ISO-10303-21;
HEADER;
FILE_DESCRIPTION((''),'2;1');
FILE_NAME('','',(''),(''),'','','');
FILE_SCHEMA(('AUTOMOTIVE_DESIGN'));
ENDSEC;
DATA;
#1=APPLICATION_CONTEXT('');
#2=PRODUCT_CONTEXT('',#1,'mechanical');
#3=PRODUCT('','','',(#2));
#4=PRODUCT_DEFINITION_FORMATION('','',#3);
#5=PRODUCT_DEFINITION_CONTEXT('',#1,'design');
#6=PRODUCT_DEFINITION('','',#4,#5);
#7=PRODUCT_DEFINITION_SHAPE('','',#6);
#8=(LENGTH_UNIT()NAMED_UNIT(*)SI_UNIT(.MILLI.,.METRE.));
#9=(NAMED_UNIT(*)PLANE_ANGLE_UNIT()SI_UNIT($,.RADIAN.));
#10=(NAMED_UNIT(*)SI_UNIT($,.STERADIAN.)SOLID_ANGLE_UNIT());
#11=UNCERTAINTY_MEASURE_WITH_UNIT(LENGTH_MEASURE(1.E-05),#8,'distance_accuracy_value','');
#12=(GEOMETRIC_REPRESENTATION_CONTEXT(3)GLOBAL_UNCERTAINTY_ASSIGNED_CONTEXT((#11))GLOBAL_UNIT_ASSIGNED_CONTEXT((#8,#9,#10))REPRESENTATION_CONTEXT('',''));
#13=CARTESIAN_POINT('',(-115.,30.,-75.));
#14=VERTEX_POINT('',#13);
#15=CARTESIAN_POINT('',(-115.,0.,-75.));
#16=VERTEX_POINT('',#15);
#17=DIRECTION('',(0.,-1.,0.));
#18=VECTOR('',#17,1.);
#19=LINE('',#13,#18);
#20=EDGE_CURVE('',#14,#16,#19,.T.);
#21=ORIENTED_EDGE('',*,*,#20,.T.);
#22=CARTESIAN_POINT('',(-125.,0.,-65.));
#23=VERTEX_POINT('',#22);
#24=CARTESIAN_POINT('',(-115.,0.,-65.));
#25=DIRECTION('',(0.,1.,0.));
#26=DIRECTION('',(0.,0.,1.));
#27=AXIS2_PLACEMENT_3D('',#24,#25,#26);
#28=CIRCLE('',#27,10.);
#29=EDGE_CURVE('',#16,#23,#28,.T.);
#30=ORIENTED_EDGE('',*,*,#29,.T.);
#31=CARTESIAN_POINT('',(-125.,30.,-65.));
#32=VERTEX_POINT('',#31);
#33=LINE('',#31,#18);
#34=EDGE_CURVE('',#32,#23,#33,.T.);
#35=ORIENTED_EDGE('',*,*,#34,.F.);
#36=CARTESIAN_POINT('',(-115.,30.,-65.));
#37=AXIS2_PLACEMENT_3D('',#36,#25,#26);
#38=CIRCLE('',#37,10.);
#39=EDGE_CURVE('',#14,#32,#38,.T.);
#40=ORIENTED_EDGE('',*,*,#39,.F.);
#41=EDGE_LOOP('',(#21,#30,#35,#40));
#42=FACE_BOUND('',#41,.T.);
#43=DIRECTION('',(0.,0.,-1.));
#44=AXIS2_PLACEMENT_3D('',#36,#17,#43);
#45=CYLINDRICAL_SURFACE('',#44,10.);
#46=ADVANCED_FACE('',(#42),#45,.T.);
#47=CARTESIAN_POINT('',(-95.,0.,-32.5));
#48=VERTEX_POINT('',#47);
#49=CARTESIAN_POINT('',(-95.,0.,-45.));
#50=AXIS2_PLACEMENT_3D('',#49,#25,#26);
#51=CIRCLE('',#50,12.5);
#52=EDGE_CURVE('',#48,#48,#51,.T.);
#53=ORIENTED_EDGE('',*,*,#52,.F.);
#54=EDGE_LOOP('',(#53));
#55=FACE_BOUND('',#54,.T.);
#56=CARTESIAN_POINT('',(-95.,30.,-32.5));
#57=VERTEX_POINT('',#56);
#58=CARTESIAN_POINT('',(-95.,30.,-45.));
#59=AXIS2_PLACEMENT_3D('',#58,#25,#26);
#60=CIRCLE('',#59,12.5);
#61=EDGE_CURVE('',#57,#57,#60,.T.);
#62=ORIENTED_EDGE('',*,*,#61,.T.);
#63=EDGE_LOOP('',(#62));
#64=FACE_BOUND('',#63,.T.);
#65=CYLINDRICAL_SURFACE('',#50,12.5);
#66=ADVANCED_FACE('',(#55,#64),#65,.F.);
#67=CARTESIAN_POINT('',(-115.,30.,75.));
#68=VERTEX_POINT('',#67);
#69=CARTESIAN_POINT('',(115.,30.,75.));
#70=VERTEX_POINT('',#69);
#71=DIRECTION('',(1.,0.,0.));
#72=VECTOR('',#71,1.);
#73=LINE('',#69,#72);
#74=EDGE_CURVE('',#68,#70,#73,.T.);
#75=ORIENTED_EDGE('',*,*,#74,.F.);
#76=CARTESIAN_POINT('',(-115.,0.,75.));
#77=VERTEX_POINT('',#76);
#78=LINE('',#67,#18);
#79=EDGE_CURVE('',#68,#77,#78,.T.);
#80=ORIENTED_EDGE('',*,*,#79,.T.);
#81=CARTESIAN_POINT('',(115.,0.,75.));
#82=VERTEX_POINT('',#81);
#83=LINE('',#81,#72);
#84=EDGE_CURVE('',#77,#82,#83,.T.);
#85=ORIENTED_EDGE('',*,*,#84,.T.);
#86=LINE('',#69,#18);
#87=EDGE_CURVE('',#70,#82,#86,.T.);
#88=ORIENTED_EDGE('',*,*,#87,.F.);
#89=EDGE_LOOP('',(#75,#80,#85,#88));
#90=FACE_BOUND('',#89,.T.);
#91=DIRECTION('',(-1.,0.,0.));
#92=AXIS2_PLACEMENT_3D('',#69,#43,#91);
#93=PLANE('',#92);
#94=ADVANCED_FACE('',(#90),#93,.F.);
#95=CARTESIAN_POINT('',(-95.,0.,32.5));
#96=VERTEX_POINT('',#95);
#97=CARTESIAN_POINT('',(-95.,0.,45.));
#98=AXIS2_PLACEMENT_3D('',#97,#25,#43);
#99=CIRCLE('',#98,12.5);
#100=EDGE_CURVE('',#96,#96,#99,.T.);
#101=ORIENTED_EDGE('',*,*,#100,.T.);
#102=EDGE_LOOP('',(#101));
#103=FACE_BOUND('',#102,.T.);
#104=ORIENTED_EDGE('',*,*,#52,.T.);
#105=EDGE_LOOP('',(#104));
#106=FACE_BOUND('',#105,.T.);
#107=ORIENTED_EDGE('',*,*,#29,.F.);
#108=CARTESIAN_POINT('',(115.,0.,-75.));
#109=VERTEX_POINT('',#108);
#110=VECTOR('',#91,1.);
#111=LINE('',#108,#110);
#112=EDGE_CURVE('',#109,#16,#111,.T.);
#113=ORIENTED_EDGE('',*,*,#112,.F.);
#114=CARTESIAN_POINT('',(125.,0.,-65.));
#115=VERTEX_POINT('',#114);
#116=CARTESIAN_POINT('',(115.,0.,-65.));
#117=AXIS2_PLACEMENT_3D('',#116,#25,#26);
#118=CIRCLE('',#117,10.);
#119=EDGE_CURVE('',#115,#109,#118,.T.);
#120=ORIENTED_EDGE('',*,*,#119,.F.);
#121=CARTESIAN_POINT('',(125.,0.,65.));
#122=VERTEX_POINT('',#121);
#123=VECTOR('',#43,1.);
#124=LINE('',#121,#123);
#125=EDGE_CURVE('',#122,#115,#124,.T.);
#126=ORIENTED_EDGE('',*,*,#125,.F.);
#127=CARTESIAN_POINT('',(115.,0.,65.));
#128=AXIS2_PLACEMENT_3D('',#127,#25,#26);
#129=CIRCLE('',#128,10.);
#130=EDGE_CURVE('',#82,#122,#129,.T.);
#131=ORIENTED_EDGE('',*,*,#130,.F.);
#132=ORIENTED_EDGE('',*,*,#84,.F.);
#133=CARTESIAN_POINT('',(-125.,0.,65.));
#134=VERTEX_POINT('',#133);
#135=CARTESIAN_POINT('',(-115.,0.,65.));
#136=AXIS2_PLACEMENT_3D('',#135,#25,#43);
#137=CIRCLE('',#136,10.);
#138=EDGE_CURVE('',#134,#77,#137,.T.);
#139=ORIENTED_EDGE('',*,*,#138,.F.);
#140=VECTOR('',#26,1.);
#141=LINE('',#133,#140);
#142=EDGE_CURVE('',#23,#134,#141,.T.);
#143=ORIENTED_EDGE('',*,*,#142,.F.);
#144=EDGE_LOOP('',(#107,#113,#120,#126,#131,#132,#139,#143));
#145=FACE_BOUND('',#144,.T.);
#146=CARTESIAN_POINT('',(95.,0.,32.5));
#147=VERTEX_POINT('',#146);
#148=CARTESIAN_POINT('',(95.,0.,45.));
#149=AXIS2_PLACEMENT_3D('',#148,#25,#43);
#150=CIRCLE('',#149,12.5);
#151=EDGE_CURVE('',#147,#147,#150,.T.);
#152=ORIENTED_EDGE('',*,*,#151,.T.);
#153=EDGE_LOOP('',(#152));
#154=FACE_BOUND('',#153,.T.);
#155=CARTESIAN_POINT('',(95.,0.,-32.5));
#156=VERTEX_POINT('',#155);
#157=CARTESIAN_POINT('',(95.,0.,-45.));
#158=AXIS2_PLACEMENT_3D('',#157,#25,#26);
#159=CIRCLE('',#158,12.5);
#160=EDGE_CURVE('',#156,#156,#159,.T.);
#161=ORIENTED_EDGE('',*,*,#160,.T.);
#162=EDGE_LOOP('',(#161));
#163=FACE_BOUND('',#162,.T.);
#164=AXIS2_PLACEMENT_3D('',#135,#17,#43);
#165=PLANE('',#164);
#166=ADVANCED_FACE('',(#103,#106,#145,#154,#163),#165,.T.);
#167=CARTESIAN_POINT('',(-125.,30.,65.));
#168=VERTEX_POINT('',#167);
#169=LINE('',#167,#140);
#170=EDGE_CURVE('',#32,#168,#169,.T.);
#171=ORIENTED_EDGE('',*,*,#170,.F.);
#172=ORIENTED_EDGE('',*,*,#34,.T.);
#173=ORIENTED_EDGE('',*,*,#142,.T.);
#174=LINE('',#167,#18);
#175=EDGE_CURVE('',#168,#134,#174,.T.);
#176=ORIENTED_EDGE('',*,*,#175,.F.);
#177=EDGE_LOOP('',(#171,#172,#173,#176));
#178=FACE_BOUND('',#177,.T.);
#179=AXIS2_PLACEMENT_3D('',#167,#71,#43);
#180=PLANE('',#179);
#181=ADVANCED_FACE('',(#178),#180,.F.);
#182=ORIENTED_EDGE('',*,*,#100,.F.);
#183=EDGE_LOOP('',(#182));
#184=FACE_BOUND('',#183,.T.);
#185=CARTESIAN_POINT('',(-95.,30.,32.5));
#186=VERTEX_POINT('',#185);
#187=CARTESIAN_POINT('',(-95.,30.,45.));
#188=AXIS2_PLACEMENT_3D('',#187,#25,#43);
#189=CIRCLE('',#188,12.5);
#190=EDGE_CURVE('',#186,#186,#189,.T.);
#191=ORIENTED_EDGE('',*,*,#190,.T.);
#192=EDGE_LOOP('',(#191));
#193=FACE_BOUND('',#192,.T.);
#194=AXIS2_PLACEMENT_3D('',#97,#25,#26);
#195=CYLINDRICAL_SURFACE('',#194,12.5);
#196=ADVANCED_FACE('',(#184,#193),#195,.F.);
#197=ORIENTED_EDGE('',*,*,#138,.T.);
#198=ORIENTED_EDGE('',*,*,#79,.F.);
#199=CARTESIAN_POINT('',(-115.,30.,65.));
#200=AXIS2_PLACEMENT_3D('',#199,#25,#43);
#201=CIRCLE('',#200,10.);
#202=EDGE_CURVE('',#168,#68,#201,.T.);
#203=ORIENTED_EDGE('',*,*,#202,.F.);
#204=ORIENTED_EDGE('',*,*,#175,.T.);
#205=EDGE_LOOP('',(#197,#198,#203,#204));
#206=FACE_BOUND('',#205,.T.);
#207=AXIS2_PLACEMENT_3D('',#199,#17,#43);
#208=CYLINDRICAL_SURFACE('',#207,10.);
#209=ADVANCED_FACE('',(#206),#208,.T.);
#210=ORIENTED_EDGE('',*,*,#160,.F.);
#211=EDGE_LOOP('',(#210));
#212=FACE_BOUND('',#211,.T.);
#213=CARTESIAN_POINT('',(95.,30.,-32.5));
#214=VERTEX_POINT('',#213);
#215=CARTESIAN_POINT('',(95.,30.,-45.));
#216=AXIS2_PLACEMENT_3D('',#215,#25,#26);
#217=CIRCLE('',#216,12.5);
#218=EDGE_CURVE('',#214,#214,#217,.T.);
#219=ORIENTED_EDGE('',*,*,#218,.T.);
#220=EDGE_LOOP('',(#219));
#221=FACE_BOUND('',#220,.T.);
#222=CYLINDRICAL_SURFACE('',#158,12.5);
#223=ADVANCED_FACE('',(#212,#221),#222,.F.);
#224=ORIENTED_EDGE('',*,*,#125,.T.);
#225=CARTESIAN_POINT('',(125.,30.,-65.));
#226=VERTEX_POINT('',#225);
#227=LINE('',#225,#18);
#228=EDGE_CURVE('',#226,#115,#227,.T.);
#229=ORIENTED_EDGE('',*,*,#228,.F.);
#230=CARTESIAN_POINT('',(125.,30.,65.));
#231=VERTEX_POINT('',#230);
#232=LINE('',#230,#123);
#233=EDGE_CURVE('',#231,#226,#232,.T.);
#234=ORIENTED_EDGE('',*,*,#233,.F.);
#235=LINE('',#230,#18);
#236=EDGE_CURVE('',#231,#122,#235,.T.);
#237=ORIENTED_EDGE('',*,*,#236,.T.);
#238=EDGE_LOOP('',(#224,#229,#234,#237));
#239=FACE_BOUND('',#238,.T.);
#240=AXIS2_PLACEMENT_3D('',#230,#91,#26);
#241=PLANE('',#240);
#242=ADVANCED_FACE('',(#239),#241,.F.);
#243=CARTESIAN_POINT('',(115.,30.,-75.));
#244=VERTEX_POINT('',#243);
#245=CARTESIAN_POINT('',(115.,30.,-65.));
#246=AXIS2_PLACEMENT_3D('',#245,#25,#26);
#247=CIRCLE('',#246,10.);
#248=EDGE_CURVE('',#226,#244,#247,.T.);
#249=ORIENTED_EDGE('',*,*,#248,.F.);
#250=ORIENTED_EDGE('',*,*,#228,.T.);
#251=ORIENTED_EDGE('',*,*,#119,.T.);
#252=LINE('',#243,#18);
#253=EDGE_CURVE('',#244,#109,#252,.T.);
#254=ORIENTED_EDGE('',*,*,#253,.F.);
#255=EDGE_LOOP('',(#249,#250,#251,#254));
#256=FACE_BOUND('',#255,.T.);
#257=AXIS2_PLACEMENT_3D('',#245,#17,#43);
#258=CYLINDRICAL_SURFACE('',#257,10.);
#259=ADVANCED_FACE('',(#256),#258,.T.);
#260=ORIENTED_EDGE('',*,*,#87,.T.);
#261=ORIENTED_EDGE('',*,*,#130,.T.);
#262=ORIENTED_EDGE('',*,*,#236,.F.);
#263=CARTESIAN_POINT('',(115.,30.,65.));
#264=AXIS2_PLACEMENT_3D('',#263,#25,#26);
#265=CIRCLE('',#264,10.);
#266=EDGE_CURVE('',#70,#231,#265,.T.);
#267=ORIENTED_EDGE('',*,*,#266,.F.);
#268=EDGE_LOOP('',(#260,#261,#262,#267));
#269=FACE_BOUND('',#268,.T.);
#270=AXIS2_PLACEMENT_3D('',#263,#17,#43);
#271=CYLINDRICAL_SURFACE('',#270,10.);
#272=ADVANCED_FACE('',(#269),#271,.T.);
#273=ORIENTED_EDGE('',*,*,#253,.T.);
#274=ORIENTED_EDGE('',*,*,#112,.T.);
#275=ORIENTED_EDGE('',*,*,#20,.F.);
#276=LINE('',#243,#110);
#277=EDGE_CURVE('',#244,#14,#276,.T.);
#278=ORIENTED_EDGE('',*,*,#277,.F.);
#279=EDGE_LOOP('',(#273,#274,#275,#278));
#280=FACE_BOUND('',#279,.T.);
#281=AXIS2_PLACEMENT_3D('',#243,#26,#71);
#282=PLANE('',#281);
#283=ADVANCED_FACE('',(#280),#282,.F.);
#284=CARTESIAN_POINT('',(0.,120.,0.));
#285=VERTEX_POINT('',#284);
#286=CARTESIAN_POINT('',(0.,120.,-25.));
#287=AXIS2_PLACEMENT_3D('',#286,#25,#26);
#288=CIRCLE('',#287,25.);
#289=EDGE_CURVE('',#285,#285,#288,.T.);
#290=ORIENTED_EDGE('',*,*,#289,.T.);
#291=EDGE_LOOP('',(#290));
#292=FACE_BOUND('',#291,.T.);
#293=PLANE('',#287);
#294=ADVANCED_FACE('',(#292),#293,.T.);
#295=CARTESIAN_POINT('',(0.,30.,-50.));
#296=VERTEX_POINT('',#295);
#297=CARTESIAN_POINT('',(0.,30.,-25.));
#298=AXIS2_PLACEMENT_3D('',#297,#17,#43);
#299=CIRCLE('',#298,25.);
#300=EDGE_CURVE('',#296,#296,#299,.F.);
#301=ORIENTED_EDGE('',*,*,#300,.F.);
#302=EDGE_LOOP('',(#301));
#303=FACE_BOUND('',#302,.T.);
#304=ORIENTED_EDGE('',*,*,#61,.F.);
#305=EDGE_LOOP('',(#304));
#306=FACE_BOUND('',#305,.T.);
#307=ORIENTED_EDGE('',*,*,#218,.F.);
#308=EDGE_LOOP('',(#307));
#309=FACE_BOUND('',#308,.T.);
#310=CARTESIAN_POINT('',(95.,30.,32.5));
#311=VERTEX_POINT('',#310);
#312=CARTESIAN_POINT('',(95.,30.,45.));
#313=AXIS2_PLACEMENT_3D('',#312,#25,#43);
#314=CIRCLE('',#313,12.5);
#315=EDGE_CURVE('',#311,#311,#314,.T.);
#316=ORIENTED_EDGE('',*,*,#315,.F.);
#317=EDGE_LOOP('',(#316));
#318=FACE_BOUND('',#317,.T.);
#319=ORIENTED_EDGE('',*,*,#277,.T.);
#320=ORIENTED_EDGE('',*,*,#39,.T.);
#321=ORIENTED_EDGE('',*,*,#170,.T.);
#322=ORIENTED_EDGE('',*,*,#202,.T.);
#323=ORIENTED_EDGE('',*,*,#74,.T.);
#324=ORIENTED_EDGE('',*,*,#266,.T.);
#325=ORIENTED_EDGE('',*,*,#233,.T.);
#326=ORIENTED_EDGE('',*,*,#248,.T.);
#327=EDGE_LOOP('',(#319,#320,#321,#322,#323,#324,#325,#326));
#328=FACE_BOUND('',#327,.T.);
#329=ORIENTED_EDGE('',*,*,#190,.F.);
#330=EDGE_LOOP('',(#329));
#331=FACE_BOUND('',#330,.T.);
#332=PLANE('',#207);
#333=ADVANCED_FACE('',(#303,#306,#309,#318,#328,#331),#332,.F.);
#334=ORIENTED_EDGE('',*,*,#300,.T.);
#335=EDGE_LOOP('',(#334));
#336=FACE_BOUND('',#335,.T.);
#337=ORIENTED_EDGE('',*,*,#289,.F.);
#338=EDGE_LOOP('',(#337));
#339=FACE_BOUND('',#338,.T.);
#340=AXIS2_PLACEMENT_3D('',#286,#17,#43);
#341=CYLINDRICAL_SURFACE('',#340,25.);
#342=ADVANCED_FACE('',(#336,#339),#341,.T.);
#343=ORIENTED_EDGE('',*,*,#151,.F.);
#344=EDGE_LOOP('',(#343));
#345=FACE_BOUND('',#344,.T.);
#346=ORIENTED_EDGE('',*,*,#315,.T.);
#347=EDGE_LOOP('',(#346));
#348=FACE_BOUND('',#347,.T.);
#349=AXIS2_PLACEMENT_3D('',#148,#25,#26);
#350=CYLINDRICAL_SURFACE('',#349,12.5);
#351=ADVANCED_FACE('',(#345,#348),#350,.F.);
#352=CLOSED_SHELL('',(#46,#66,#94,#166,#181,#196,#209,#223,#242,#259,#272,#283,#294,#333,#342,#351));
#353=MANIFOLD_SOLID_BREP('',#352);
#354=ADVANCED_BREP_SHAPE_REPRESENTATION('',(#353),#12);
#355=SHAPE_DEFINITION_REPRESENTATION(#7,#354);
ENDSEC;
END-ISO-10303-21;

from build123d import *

# Parameters (mm, degrees)
BOSS_EXTRUDE1_DEPTH = 30
SKETCH2_R           = 25
BOSS_EXTRUDE2_DEPTH = 90
SKETCH3_R           = 12.5
CUT_EXTRUDE1_DEPTH  = 31


with BuildPart() as part:
    # Sketch1 → Boss-Extrude1 (new body)
    with BuildSketch(Plane(origin=(0, 0, 0), x_dir=(1, 0, 0), z_dir=(0, 1, 0))):
        with BuildLine():
            Line((115, -75), (-115, -75))
            ThreePointArc((-115, -75), (-122.071067812, -72.071067812), (-125, -65))
            Line((-125, -65), (-125, 65))
            ThreePointArc((-125, 65), (-122.071067812, 72.071067812), (-115, 75))
            Line((-115, 75), (115, 75))
            ThreePointArc((115, 75), (122.071067812, 72.071067812), (125, 65))
            Line((125, 65), (125, -65))
            ThreePointArc((125, -65), (122.071067812, -72.071067812), (115, -75))
        make_face()
    extrude(amount=BOSS_EXTRUDE1_DEPTH)

    # Sketch2 → Boss-Extrude2 (add)
    with BuildSketch(Plane(origin=(0, 30, 0), x_dir=(1, 0, 0), z_dir=(0, 1, 0))):
        with Locations((0, 25)):
            Circle(SKETCH2_R)
    extrude(amount=BOSS_EXTRUDE2_DEPTH)

    # Sketch3 → Cut-Extrude1 (cut, through all)
    with BuildSketch(Plane(origin=(0, 30, 0), x_dir=(1, 0, 0), z_dir=(0, 1, 0))):
        with Locations((-95, 45)):
            Circle(SKETCH3_R)
        with Locations((95, 45)):
            Circle(SKETCH3_R)
        with Locations((95, -45)):
            Circle(SKETCH3_R)
        with Locations((-95, -45)):
            Circle(SKETCH3_R)
    extrude(amount=-CUT_EXTRUDE1_DEPTH, mode=Mode.SUBTRACT)


solid = part.part
